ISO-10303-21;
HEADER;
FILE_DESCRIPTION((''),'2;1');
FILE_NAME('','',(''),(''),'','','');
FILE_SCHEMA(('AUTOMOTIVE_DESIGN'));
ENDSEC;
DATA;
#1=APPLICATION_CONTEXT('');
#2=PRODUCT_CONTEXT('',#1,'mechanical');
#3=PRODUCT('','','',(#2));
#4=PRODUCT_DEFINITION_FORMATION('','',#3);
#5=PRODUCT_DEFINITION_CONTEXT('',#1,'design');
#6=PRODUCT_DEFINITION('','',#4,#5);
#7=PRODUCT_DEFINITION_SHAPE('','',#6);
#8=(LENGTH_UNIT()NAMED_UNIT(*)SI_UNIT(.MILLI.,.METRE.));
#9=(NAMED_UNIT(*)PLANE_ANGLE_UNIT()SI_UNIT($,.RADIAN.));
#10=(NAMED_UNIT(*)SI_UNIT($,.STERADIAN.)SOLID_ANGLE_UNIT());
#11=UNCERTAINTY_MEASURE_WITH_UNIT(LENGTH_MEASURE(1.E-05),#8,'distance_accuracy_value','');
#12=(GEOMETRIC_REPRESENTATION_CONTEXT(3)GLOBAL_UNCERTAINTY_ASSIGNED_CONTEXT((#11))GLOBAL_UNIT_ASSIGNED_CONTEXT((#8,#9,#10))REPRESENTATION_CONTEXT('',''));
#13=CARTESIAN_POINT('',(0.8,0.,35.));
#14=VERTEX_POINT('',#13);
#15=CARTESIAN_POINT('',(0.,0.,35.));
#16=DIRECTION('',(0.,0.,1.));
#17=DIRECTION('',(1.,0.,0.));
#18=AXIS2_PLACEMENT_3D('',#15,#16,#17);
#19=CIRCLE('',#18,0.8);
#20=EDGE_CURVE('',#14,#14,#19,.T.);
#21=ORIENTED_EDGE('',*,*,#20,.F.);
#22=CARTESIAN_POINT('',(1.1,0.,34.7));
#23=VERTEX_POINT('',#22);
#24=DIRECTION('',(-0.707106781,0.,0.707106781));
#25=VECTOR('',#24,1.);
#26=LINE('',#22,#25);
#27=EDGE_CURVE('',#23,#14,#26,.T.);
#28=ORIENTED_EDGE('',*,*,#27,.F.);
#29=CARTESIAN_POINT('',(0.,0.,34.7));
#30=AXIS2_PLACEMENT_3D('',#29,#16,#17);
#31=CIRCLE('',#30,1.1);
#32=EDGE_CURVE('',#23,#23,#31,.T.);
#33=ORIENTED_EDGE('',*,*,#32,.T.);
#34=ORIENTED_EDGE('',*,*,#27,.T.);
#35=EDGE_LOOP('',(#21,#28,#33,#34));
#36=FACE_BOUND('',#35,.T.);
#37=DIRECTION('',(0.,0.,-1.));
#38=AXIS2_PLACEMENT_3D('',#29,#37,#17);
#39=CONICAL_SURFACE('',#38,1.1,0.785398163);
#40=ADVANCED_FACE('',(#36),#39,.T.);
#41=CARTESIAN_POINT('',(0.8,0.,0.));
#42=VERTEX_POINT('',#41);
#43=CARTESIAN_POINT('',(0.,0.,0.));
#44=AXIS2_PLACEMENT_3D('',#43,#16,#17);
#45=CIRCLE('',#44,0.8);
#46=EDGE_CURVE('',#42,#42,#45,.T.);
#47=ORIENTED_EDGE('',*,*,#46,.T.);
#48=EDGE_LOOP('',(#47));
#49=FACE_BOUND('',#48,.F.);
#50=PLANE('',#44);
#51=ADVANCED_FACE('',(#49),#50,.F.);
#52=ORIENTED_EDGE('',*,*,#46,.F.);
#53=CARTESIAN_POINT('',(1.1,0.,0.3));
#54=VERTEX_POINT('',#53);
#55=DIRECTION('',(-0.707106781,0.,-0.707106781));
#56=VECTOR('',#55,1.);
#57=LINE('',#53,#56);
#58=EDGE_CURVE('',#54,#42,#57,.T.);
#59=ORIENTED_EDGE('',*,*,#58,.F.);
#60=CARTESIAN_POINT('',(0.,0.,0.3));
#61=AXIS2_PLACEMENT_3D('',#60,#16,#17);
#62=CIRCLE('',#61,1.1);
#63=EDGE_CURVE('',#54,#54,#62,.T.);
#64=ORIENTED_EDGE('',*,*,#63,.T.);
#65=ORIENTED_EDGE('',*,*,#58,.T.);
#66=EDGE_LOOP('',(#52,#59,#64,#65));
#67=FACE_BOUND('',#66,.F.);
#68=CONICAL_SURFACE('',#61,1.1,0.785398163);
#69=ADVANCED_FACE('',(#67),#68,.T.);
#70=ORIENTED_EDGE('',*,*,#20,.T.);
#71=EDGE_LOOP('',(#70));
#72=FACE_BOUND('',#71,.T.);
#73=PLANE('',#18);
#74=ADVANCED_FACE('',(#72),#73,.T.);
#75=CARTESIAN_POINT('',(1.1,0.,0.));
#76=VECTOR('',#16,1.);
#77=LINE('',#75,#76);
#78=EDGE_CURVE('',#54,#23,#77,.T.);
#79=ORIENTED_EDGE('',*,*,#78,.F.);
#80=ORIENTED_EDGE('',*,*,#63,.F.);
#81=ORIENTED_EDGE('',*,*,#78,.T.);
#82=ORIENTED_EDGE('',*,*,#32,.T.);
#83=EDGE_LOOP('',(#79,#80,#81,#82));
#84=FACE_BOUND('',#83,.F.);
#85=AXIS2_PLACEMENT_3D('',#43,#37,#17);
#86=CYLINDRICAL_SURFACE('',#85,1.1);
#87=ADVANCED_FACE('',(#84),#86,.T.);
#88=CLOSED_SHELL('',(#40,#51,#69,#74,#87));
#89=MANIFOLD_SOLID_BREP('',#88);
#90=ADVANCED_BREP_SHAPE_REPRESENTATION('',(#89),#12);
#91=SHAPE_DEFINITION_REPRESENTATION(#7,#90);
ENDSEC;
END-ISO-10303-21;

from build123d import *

# Parameters (mm, degrees)
SKETCH_R     = 1.1
PAD_DEPTH    = 35
CHAMFER_SIZE = 0.3


with BuildPart() as part:
    # Sketch → Pad (new body)
    with BuildSketch(Plane.XY):
        Circle(SKETCH_R)
    extrude(amount=PAD_DEPTH)

    # Chamfer
    chamfer_edges = [part.edges().sort_by_distance(p)[0] for p in [
        (-1.1, 0, 0),
        (-1.1, 0, 35),
    ]]
    chamfer(chamfer_edges, length=CHAMFER_SIZE)


solid = part.part
